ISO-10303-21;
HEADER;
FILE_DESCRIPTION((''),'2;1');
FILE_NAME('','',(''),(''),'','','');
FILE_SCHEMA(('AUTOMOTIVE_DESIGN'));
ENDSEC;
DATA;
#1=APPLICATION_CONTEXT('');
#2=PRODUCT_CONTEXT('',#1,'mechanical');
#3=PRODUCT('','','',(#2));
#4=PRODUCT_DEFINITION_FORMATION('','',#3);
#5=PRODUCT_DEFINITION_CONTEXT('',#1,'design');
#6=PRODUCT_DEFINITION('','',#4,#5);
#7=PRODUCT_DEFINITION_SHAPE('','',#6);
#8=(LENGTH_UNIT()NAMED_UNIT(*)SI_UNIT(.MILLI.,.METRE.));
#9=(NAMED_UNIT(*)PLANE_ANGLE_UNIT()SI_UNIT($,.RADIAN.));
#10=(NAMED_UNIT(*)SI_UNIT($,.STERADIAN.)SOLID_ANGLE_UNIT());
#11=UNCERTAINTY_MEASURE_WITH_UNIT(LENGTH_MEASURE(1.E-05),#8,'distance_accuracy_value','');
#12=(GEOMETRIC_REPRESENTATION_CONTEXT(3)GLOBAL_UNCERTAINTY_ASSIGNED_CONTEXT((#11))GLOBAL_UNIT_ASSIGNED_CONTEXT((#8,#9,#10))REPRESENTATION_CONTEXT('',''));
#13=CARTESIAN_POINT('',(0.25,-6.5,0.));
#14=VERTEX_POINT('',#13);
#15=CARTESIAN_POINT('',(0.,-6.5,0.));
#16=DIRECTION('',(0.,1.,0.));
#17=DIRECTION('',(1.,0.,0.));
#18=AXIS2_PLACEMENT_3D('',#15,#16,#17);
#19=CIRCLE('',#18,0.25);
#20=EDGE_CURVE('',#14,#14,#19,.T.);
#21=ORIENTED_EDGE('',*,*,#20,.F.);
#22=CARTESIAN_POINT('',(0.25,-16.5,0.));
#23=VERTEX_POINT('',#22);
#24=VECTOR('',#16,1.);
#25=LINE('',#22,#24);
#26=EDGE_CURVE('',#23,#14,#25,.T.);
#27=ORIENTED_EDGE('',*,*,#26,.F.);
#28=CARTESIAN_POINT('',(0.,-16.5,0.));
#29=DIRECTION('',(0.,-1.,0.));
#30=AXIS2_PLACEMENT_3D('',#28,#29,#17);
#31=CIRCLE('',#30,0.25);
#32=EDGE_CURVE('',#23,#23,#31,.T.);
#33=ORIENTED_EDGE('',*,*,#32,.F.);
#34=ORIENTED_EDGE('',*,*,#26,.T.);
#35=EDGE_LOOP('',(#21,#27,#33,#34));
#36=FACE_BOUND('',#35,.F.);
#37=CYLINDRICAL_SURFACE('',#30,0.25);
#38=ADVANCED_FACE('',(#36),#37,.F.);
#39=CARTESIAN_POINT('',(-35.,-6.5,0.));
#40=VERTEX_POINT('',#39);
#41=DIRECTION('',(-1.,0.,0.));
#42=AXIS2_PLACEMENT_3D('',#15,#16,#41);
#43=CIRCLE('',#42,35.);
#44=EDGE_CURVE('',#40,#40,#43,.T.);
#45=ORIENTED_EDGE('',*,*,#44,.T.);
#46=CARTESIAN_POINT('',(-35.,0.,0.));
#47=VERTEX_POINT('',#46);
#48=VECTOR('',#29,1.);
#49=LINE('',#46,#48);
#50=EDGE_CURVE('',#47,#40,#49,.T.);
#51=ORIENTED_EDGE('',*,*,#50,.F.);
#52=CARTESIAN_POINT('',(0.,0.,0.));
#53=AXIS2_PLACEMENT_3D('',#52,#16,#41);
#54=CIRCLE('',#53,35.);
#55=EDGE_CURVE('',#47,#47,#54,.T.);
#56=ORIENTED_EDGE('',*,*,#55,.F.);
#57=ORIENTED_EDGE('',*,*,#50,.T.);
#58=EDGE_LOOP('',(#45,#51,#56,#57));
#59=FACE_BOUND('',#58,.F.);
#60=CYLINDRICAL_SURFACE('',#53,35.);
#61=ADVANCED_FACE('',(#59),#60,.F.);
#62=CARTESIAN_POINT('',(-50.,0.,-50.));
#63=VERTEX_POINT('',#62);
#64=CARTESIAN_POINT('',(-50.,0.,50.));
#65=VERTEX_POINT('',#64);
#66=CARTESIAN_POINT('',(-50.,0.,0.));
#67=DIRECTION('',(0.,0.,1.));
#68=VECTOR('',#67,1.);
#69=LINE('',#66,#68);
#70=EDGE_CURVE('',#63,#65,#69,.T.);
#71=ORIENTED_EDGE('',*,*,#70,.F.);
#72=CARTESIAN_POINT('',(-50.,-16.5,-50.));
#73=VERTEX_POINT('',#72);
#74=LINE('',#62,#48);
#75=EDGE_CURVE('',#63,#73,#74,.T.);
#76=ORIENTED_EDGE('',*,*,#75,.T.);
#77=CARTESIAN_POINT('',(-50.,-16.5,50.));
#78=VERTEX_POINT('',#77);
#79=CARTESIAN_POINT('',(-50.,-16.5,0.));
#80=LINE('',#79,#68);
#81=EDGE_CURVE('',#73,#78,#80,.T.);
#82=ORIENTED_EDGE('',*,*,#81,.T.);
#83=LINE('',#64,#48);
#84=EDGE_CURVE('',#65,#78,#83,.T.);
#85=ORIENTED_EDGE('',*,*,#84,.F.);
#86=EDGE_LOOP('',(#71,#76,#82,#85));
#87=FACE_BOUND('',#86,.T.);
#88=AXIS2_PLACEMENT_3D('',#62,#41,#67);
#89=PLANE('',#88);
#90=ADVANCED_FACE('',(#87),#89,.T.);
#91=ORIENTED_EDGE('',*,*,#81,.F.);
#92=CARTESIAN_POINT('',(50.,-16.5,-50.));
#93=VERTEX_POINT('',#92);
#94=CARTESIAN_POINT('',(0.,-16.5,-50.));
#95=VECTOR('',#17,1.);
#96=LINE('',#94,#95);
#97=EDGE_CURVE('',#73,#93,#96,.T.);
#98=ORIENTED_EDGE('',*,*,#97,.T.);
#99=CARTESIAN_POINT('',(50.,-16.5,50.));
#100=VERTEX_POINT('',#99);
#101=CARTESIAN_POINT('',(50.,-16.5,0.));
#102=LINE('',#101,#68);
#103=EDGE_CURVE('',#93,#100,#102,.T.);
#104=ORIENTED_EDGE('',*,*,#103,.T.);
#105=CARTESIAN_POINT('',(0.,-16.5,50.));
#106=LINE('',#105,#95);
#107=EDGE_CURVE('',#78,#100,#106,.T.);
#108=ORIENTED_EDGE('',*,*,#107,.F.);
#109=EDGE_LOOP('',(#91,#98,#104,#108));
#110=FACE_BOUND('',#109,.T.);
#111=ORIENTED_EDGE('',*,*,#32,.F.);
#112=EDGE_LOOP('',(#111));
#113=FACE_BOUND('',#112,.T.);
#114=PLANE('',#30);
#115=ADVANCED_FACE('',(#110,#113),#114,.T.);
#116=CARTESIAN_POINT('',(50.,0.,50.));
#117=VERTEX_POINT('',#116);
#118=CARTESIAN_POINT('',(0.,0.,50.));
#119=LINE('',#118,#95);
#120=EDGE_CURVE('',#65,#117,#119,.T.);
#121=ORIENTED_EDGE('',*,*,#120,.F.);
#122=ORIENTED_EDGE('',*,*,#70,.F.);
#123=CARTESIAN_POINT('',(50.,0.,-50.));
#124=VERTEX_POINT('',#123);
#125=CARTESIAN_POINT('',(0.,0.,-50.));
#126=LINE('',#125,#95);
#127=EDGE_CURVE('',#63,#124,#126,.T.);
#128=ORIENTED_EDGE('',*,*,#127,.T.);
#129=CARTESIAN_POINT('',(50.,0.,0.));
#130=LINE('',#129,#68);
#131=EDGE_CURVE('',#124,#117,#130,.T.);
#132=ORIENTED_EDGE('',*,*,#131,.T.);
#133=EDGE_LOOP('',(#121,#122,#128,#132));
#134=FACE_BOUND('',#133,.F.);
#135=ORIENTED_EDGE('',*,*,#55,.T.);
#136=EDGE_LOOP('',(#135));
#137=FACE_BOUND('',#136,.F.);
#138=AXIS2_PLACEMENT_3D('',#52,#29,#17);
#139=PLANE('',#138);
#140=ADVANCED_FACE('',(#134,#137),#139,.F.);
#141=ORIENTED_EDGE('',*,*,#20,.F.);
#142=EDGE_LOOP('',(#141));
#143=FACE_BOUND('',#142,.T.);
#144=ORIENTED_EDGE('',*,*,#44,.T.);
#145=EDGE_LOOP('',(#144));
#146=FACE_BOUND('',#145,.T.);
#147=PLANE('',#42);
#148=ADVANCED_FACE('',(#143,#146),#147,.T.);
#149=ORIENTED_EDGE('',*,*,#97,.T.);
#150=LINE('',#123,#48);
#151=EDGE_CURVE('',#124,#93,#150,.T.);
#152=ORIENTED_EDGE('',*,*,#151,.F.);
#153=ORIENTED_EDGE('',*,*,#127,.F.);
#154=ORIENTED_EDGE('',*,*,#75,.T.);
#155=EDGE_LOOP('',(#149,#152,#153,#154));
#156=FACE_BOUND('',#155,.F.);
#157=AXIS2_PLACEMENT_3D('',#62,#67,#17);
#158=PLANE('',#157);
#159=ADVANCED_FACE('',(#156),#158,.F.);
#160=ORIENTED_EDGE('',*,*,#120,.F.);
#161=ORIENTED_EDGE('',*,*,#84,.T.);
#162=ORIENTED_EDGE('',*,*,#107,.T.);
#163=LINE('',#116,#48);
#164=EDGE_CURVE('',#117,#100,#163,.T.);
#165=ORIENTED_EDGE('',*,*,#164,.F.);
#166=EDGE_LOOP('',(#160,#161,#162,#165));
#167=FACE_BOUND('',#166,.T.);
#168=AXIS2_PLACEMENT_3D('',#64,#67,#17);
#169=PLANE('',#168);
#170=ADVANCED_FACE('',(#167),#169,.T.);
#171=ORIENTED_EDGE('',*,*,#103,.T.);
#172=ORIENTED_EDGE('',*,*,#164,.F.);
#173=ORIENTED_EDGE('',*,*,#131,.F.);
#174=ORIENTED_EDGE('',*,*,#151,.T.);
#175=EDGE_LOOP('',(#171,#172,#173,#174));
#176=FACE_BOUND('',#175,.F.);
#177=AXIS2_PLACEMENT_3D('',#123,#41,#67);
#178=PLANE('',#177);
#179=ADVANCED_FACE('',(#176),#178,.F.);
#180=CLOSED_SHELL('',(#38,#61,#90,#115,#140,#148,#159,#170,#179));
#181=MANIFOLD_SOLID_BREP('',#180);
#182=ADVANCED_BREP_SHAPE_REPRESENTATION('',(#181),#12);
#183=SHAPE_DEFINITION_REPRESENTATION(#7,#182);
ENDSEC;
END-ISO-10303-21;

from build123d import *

# Parameters (mm, degrees)
F0_W     = 100
F0_H     = 100
F1_DEPTH = 16.5
F2_R     = 0.25
F3_DEPTH = 16.501
F4_R     = 35
F4_R_2   = 0.25
F5_DEPTH = 6.5


with BuildPart() as f1:
    # F0 (on Front) → F1 (new body)
    with BuildSketch(Plane.XZ):
        Rectangle(F0_W, F0_H)
    extrude(amount=F1_DEPTH)

    # F2 (on face) → F3 (cut, through all)
    with BuildSketch(Plane.XZ.offset(16.5)):
        Circle(F2_R)
    extrude(amount=-F3_DEPTH, mode=Mode.SUBTRACT)

    # F4 (on face) → F5 (cut)
    with BuildSketch(Plane(origin=(0, 0, 0), x_dir=(-1, 0, 0), z_dir=(0, 1, 0))):
        Circle(F4_R)
        Circle(F4_R_2, mode=Mode.SUBTRACT)
    extrude(amount=-F5_DEPTH, mode=Mode.SUBTRACT)


solid = f1.part
